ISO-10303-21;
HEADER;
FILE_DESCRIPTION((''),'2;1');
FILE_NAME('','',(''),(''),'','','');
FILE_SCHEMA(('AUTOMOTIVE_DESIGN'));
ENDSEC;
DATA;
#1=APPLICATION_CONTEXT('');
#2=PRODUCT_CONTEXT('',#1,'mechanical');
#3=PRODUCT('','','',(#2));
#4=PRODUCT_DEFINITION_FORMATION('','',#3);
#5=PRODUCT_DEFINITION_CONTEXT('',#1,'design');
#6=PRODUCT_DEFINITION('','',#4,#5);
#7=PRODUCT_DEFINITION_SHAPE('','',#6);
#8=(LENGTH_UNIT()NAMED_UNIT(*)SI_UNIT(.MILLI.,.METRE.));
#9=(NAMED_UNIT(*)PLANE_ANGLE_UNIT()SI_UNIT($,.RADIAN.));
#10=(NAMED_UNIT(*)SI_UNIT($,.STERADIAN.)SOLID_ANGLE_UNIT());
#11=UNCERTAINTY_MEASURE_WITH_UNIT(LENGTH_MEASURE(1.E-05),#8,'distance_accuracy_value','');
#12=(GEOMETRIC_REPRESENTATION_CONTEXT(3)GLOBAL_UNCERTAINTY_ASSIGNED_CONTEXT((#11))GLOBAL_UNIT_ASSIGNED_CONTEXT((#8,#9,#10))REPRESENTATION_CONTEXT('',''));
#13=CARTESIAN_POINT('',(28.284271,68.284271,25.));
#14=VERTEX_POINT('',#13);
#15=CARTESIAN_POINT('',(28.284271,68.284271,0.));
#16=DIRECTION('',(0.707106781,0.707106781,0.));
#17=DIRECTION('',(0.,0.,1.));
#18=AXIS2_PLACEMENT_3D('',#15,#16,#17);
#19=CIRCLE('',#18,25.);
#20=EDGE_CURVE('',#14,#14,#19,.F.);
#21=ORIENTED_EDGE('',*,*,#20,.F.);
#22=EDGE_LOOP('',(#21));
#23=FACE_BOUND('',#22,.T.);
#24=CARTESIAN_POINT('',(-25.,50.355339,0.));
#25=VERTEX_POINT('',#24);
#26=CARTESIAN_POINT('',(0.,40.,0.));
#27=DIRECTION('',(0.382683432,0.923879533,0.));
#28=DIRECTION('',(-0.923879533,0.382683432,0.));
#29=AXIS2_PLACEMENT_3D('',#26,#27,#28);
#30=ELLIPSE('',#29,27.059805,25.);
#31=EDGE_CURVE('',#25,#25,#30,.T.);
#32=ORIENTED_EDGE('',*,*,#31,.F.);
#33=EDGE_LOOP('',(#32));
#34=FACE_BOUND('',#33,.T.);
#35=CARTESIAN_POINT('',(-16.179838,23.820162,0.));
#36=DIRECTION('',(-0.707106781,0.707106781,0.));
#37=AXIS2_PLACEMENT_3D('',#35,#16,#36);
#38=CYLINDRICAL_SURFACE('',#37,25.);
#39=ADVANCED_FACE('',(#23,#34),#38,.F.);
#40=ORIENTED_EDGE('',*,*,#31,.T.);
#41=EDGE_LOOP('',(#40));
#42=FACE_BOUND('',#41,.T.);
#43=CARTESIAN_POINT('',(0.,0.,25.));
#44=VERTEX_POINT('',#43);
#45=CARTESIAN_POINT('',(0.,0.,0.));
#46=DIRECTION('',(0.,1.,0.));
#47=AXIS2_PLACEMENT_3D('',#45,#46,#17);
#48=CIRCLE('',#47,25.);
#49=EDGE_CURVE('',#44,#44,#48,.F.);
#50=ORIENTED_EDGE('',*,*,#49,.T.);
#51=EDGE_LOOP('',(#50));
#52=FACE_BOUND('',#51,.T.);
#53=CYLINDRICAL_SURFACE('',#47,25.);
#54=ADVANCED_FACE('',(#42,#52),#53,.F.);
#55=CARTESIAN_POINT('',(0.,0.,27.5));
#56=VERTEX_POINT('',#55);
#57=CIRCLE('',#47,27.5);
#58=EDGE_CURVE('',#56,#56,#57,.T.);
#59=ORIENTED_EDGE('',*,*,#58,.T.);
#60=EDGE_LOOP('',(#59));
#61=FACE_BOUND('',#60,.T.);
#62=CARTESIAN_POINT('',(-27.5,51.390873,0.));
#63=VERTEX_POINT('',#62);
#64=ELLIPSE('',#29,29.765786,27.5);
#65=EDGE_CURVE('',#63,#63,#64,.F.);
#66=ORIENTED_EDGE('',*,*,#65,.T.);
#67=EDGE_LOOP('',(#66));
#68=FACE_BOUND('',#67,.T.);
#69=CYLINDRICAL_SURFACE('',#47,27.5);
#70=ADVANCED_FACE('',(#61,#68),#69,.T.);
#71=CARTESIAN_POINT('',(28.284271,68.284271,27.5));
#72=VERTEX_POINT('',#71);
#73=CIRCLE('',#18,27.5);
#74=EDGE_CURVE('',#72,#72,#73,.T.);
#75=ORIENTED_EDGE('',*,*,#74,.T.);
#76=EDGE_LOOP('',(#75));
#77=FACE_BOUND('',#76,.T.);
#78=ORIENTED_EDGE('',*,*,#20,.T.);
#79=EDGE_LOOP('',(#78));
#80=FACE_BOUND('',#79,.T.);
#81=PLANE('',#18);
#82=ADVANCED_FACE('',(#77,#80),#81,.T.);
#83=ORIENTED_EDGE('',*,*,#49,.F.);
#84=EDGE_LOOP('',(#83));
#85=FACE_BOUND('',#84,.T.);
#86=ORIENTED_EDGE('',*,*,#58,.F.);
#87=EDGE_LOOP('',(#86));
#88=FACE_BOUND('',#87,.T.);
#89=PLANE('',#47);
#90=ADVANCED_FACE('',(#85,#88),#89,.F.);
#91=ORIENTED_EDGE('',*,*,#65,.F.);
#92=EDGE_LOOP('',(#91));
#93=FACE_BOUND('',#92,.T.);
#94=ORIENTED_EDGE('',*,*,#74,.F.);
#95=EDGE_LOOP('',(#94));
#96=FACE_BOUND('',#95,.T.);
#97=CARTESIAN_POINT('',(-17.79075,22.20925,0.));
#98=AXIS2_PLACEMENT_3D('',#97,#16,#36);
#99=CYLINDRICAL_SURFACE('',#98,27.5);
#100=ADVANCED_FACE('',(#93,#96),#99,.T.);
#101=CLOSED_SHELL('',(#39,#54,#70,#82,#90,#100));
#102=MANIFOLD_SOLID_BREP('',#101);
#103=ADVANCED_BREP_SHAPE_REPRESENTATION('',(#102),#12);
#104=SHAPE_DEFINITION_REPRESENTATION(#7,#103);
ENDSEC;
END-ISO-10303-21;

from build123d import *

# Parameters (mm, degrees)
SKETCH_1_R   = 27.5
SKETCH_1_R_2 = 25


with BuildPart() as part:
    # 扫描1: sweep along a path in 草图2
    with BuildLine(Plane.XY) as sweep_1_path:
        Line((0, 0), (0, 40))
        Line((0, 40), (28.284271247, 68.284271247))
    # 草图1 → 扫描1 (sweep)
    with BuildSketch(Plane(origin=(0, 0, 0), x_dir=(1, 0, 0), z_dir=(0, 1, 0))):
        Circle(SKETCH_1_R)
        Circle(SKETCH_1_R_2, mode=Mode.SUBTRACT)
    sweep(path=sweep_1_path.line, transition=Transition.RIGHT)


solid = part.part
